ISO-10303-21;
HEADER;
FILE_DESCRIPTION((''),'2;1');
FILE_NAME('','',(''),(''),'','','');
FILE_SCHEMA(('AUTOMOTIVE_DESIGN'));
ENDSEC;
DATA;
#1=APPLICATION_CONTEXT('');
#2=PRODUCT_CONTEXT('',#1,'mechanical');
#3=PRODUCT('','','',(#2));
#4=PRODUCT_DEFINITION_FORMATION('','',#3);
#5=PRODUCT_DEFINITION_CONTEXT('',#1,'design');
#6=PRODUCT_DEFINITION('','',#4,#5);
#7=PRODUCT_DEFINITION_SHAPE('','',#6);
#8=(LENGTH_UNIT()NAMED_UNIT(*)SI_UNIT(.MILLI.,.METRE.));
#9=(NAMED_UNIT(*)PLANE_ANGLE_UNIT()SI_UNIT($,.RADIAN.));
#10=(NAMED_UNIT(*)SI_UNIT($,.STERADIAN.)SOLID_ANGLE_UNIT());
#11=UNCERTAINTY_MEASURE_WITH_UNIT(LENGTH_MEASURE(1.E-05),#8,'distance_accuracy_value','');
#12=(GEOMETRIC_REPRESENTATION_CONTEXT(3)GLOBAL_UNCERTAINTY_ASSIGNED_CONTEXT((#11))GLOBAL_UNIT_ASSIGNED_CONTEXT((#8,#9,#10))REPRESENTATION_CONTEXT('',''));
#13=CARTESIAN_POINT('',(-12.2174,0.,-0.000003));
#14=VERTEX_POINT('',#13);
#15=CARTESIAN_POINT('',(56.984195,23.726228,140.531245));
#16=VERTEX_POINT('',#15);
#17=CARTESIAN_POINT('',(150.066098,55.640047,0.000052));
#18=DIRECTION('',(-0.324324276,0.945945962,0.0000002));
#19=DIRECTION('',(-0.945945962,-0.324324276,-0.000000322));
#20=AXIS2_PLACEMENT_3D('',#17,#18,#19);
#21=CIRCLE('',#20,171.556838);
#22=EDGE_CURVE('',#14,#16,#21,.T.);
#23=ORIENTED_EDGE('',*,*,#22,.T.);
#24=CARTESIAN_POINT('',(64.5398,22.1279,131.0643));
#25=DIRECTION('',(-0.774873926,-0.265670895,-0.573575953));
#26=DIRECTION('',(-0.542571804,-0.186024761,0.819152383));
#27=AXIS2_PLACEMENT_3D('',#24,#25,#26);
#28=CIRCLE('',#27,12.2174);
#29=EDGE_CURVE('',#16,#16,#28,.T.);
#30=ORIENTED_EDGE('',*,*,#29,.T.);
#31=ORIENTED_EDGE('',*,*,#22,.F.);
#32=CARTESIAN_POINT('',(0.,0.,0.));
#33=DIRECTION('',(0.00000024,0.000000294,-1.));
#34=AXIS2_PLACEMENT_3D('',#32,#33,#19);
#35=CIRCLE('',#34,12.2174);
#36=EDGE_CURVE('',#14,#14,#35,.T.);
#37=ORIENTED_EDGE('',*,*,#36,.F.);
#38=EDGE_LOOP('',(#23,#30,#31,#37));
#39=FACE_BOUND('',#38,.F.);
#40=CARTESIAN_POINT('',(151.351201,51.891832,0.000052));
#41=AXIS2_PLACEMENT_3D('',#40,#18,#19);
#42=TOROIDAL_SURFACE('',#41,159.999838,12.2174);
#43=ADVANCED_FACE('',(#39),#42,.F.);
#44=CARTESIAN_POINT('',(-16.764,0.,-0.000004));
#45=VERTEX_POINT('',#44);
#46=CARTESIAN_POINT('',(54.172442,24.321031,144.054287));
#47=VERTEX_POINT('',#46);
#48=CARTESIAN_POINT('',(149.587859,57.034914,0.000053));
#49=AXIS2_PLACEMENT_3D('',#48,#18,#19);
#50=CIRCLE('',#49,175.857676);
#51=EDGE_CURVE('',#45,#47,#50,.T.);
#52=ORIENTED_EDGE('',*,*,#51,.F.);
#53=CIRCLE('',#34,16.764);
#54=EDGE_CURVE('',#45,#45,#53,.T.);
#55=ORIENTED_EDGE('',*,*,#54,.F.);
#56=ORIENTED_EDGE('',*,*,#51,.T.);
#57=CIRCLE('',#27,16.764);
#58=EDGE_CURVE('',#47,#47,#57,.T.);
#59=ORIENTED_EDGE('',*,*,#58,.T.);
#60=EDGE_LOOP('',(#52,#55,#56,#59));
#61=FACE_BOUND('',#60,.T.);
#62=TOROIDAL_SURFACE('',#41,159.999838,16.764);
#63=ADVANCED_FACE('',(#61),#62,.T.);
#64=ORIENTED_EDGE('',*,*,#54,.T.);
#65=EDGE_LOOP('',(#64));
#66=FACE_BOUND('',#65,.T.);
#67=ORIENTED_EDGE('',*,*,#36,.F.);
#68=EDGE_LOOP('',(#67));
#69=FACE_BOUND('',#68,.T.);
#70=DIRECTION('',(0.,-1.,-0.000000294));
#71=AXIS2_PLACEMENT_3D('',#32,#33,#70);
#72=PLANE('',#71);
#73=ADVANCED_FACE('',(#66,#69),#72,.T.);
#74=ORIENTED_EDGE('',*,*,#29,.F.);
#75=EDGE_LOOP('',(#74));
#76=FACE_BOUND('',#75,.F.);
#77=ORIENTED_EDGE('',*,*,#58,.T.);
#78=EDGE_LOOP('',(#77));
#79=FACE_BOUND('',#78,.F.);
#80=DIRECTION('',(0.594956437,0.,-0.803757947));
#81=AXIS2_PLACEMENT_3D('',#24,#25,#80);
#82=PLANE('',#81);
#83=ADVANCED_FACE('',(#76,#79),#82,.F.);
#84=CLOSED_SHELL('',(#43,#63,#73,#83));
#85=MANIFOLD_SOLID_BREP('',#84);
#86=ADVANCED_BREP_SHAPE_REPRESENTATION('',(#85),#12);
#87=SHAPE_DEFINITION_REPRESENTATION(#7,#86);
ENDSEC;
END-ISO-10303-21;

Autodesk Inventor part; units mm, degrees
ref_plane "Start Plane" through (0, 0, 0) normal (0, 0, 1) x (1, 0, 0)
ref_plane "End Plane" through (0, 0, 153.589) normal (0, 0, 1) x (1, 0, 0)
sketch "Sketch" plane through (0, 0, 0) normal (0, 0, -1) x (-1, 0, 0)
  circle A0 centre (0, 0) radius 12.2174
  circle A1 centre (0, 0) radius 16.764
  dimension "d0" = 33.528
  dimension "d1" = 4.5466
sketch "Sketch3" plane through (0, 0, 0) normal (0, 0, 1) x (1, 0, 0)
  line L0 (0, 0) -> (10, 0)
ref_plane "Work Plane3" through (0, 0, 0) normal (0, -1, 0) x (1, 0, 0)
ref_plane "Orientation Work Plane" through (0, 0, 0) normal (0, 0, -1) x (-1, 0, 0)
sketch3d "Sweep Path"
  arc A0 (0, 0, 0) -> (64.5398, 22.1279, 131.0643) centre (151.3514, 51.8919, 0) ccw
sweep "Body" add profiles "Sketch" path "Sweep Path"
sketch "Sketch4" plane through (0, 0, 0) normal (0, -1, 0) x (1, 0, 0)
  line L0 (-2, 0) -> (12, 0) projected
  line L1 (-35.1441, 153.589) -> (93.5167, 153.589) projected
  dimension "d7" = 153.589
equation "\"d0\" = G_H"
equation "\"d1\" = G_T"
equation "\"G_H\" = 33.528"
equation "\"G_T\" = 4.5466"
equation "\"G_L\" = d7"
equation "\"G_OFFSET_START\" = 0"
equation "\"G_OFFSET_END\" = 0"
equation "\"d5\" = G_OFFSET_END + B_L"
equation "\"B_L\" = 153.58897"
properties part number "ANSI - 1 x 0.179 - 6.047" material "Steel, Mild"
